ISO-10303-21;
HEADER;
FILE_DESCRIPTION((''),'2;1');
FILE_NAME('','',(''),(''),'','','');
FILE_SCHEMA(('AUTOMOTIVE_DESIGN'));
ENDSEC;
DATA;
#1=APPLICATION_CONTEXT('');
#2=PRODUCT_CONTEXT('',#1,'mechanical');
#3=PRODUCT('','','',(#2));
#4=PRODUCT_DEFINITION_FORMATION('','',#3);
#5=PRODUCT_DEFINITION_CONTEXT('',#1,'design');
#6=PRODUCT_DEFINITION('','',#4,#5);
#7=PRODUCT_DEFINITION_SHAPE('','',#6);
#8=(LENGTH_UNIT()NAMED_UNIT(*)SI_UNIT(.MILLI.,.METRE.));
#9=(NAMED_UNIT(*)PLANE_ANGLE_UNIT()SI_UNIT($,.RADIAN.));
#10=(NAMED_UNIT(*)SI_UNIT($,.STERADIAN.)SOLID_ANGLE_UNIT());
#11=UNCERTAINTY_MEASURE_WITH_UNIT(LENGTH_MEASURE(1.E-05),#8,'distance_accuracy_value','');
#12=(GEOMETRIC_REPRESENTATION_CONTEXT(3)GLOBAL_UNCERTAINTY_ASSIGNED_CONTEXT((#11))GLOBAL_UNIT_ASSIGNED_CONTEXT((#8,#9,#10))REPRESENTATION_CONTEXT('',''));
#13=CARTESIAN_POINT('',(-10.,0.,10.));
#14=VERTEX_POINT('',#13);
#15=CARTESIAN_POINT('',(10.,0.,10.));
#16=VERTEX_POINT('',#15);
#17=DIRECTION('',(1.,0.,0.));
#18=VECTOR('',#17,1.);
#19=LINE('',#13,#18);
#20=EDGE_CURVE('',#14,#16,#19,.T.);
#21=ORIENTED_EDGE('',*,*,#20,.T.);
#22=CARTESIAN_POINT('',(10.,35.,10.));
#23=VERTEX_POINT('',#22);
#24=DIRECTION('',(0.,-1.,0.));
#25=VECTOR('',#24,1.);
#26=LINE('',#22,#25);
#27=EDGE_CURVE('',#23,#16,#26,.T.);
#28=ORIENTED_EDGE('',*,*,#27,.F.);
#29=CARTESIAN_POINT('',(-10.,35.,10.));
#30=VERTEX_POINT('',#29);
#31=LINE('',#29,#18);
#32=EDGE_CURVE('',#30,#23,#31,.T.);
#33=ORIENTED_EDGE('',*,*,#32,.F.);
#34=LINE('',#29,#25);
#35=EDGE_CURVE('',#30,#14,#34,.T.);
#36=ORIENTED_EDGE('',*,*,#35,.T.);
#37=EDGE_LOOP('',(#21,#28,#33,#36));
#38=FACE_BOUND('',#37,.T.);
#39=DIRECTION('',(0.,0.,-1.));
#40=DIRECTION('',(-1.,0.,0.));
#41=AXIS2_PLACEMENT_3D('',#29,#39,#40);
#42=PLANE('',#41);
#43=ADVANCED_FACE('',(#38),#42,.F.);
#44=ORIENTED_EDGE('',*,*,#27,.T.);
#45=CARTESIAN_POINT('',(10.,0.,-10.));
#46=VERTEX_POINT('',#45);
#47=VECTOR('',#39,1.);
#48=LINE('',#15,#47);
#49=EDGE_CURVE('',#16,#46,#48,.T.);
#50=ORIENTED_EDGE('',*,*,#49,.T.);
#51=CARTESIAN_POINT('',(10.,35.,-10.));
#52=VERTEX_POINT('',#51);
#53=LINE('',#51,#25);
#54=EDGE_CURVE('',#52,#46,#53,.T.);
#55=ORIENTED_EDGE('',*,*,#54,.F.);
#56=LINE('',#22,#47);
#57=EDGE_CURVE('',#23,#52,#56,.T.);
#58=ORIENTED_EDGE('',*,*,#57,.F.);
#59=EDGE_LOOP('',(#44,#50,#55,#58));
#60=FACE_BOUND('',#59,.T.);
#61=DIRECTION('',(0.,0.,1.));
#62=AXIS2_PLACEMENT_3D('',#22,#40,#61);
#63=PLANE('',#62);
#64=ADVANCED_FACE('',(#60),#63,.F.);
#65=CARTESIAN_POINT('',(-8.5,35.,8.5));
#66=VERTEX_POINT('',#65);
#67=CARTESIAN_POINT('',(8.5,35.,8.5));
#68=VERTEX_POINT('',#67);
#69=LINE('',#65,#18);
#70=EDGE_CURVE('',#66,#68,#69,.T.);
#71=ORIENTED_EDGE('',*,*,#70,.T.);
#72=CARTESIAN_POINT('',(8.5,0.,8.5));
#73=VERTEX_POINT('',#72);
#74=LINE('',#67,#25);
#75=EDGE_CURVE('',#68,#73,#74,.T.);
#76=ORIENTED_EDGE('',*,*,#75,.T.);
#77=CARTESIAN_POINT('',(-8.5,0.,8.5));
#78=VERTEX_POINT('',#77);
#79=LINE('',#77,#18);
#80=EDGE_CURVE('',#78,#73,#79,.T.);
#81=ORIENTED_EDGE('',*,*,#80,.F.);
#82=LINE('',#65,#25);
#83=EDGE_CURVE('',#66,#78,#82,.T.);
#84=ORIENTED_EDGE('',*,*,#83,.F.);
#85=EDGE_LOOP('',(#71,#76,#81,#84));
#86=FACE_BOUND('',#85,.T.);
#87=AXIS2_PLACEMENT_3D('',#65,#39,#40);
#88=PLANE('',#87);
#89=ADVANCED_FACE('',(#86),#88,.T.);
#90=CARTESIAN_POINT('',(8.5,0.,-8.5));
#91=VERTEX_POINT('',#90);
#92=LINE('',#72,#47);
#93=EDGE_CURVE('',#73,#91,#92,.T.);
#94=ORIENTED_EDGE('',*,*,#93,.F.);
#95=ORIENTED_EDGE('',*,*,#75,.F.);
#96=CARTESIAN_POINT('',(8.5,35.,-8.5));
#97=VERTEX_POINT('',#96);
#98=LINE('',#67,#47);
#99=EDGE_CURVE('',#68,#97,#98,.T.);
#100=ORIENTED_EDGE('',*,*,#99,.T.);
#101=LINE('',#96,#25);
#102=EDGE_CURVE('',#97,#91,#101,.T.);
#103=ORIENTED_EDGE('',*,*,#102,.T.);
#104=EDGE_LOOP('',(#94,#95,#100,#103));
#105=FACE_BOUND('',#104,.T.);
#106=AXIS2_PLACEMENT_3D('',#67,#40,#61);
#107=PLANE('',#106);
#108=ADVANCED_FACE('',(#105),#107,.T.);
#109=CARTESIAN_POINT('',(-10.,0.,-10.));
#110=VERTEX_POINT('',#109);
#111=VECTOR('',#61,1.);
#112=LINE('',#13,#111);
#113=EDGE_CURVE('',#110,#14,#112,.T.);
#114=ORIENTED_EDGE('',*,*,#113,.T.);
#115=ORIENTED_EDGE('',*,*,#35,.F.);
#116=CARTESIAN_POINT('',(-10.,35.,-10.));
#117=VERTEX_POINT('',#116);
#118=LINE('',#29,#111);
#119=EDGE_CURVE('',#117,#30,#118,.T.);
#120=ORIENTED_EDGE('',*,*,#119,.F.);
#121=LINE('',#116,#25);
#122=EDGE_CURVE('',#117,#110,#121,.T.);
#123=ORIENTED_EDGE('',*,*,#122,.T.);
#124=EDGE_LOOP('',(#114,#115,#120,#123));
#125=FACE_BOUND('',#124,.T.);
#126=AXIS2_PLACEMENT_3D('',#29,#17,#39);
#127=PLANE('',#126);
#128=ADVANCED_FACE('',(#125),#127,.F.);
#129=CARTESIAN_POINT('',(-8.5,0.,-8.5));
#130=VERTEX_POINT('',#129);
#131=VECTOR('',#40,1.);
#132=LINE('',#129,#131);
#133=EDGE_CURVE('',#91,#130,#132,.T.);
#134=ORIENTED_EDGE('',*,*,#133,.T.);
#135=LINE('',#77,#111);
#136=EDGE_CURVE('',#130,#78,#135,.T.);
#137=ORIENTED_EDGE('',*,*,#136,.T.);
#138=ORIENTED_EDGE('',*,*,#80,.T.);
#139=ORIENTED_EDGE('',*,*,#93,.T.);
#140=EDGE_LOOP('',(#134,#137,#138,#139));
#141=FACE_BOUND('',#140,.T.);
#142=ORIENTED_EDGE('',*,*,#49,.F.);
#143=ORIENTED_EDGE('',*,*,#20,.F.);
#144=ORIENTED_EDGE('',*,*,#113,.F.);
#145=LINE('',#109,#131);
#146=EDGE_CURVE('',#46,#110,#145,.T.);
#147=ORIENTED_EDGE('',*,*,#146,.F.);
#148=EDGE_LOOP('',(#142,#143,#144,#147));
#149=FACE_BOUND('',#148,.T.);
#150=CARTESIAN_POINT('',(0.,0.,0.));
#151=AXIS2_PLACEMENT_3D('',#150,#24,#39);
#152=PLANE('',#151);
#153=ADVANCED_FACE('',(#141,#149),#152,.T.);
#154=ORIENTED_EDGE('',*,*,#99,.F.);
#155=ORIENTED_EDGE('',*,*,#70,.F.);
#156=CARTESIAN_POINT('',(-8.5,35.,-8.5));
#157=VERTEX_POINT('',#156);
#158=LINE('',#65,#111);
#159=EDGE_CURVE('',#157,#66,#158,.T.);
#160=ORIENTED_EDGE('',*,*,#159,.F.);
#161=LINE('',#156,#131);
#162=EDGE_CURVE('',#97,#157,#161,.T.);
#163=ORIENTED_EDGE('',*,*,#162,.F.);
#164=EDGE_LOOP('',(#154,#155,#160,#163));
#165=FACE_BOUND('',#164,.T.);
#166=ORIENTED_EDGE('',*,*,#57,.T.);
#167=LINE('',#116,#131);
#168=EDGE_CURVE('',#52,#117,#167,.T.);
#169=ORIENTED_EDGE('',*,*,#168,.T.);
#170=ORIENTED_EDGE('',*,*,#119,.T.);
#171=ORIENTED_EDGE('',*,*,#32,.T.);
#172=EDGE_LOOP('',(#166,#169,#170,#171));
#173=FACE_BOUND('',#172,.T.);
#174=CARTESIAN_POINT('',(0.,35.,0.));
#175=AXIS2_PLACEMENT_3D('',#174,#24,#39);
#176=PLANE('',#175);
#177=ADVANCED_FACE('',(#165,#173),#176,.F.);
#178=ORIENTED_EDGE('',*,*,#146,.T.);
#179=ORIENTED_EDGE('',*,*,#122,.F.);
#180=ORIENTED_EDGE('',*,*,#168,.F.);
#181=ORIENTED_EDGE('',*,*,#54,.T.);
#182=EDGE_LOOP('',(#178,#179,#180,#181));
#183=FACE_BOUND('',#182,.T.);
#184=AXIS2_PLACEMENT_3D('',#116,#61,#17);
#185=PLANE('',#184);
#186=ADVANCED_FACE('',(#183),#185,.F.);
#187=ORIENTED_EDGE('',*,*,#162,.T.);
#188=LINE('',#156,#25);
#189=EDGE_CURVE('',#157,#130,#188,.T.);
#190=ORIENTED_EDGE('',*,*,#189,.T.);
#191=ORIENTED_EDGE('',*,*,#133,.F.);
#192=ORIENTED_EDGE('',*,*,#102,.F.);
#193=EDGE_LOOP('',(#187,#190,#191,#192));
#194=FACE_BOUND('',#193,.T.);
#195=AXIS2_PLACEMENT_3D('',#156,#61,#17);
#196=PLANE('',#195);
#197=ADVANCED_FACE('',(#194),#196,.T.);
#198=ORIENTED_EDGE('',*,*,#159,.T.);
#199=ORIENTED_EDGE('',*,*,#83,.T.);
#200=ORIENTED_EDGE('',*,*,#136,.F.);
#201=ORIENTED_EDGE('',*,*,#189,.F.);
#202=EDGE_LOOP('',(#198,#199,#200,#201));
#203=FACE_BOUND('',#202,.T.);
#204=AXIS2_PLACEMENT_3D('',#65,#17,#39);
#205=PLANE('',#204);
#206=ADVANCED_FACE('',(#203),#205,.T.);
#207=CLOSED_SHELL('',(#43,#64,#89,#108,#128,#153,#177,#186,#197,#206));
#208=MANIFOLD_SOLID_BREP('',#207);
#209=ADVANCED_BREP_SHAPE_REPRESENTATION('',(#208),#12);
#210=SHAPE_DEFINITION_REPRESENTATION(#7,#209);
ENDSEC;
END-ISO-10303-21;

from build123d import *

# Parameters (mm, degrees)
SKETCH1_W           = 20
SKETCH1_H           = 20
SKETCH1_W_2         = 17
SKETCH1_H_2         = 17
BOSS_EXTRUDE1_DEPTH = 35


with BuildPart() as part:
    # Sketch1 → Boss-Extrude1 (new body)
    with BuildSketch(Plane(origin=(0, 0, 0), x_dir=(1, 0, 0), z_dir=(0, 1, 0))):
        Rectangle(SKETCH1_W, SKETCH1_H)
        Rectangle(SKETCH1_W_2, SKETCH1_H_2, mode=Mode.SUBTRACT)
    extrude(amount=BOSS_EXTRUDE1_DEPTH)


solid = part.part
